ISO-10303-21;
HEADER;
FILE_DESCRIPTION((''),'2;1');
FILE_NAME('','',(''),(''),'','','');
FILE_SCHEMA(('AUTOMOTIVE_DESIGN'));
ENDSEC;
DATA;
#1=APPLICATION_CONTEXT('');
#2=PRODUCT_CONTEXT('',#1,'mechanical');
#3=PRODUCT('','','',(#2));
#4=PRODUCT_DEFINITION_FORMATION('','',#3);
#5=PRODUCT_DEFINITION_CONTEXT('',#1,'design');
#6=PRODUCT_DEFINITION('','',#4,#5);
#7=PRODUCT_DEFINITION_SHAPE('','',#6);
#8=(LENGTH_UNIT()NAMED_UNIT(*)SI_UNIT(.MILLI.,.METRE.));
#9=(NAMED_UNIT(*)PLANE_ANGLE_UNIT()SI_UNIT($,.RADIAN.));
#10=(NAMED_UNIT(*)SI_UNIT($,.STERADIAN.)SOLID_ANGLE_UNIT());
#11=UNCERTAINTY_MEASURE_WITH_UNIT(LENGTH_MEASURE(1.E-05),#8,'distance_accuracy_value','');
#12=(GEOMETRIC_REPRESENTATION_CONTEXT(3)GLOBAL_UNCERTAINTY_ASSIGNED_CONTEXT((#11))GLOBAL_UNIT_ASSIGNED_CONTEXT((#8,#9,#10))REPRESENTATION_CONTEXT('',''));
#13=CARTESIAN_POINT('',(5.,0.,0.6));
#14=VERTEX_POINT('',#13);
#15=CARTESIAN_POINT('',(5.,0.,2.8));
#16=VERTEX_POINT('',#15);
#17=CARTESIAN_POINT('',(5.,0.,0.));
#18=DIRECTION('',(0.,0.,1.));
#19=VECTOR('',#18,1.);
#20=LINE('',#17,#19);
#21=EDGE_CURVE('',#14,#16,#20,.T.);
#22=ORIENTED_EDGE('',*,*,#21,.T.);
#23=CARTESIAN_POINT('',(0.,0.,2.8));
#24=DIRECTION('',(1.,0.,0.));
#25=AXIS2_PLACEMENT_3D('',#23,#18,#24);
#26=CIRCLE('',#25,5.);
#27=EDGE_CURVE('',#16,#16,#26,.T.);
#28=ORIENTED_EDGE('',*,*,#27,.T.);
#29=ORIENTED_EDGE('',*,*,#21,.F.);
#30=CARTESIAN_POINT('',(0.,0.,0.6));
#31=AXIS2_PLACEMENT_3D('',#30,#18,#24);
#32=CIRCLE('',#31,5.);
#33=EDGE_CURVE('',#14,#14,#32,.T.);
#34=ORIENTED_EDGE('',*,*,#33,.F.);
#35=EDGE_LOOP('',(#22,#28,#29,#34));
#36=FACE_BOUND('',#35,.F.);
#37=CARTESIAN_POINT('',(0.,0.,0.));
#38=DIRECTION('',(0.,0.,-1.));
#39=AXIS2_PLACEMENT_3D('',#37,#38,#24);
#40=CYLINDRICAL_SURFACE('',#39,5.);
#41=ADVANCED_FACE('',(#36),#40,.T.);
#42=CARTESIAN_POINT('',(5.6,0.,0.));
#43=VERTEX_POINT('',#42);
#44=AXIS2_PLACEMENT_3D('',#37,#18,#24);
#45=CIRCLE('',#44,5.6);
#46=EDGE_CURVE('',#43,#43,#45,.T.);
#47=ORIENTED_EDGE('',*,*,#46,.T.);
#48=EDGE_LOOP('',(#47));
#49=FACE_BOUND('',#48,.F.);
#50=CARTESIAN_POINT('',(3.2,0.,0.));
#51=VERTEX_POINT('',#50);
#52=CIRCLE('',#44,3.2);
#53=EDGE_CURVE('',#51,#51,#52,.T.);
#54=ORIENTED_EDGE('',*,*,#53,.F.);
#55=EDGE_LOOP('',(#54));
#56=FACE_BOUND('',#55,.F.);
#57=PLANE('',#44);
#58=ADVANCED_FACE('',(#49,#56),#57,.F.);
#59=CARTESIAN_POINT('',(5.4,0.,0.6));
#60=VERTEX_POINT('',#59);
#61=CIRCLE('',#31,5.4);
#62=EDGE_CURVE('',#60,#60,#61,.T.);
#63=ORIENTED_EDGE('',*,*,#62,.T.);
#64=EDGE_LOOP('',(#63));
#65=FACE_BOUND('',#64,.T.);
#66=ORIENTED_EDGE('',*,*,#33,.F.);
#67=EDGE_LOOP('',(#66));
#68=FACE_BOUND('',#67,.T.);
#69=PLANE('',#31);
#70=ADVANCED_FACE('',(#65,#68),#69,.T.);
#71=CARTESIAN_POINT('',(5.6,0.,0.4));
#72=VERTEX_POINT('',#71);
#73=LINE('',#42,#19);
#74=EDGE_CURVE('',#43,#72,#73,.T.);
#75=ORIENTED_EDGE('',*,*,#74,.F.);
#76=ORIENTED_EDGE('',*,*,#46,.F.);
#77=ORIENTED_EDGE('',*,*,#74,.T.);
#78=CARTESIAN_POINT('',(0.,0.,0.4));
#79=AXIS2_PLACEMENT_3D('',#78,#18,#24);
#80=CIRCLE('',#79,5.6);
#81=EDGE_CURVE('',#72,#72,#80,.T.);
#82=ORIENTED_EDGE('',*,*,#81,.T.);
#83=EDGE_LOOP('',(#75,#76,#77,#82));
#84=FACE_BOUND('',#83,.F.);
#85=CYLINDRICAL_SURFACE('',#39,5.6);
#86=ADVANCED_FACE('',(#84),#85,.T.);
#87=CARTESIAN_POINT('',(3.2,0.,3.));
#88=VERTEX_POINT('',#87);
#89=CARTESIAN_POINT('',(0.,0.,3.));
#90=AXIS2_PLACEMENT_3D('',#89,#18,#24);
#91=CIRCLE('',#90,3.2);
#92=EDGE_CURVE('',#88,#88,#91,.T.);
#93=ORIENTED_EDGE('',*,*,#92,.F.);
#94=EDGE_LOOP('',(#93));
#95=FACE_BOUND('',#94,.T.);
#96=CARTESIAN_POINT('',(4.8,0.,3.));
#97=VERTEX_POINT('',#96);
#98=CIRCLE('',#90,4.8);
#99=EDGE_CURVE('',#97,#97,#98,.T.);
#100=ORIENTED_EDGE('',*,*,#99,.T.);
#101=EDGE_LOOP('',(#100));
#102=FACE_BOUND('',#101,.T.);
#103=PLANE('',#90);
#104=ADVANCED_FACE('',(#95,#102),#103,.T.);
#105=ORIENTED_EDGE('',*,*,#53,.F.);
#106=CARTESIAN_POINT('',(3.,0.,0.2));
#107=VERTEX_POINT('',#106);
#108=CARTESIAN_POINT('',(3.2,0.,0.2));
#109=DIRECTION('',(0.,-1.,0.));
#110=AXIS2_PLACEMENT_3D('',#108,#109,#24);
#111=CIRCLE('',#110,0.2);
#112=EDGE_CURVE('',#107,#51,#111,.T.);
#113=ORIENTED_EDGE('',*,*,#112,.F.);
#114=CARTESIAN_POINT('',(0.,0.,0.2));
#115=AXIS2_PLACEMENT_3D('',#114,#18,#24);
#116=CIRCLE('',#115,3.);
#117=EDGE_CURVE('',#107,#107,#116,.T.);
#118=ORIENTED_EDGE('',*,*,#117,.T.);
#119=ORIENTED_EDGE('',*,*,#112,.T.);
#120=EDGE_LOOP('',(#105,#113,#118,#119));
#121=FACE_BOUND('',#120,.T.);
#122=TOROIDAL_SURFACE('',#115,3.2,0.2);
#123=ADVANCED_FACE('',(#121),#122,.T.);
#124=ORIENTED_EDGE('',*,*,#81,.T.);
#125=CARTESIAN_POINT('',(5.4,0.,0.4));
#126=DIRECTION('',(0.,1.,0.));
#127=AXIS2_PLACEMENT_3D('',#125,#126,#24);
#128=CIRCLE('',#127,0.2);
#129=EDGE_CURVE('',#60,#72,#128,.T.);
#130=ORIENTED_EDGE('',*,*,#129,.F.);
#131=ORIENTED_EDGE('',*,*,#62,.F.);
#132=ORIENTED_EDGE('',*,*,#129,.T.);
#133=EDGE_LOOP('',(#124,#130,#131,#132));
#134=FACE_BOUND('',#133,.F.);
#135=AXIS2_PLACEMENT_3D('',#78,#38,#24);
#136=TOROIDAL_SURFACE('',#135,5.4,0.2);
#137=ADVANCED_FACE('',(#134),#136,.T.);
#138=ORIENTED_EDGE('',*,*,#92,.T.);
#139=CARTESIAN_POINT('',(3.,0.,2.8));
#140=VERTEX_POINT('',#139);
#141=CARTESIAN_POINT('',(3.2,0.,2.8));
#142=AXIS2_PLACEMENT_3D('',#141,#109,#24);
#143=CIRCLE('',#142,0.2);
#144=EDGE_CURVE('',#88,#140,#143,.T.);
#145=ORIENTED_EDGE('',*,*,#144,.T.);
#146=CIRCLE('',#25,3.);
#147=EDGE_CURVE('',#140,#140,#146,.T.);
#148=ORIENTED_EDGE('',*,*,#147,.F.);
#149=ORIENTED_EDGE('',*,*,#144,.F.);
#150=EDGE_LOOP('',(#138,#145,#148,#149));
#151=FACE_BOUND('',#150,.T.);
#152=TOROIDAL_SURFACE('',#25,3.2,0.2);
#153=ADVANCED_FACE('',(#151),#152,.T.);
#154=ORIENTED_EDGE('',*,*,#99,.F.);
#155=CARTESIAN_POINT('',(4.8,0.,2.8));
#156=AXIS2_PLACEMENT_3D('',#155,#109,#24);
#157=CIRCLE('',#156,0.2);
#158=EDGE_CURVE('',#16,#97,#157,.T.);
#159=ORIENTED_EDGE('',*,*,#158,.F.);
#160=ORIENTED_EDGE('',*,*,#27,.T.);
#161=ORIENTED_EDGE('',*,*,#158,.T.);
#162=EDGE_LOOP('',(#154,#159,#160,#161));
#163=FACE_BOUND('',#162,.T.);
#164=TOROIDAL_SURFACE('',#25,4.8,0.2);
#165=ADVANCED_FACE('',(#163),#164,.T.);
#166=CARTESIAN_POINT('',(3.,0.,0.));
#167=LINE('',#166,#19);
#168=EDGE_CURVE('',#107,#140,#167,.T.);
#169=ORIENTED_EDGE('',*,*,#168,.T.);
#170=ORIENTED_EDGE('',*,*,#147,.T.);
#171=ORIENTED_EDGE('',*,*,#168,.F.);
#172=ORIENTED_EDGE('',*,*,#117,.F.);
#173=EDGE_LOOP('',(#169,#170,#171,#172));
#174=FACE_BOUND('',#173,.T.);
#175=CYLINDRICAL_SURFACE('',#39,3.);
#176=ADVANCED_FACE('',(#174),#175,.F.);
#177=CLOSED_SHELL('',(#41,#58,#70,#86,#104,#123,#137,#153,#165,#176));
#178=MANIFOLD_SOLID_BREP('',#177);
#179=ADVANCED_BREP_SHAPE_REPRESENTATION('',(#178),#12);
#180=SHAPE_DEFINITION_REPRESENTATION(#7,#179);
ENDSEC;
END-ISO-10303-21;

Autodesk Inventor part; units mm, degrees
ref_plane "YZ Plane" through (0, 0, 0) normal (1, 0, 0) x (0, 1, 0)
ref_plane "XZ Plane" through (0, 0, 0) normal (0, 1, 0) x (-1, 0, 0)
ref_plane "XY Plane" through (0, 0, 0) normal (0, 0, 1) x (1, 0, 0)
sketch "Sketch1" plane through (0, 0, 0) normal (0, 0, 1) x (1, 0, 0)
  circle A0 centre (0, 0) radius 3
  circle A1 centre (0, 0) radius 5
  circle A2 centre (0, 0) radius 5.6
  dimension "d0" = 6
  dimension "d1" = 10
  dimension "d2" = 11.2
extrude "Extrusion1" add sketch "Sketch1" along normal blind 3 contours A1
extrude "Extrusion2" add sketch "Sketch1" along normal blind 0.6 contours A2
fillet "Fillet1" radius 0.2 4 edges at (-5.6, 0, 0.6) (-5, 0, 3) (-3, 0, 3) (-3, 0, 0)
properties part number "flange_bearing"
